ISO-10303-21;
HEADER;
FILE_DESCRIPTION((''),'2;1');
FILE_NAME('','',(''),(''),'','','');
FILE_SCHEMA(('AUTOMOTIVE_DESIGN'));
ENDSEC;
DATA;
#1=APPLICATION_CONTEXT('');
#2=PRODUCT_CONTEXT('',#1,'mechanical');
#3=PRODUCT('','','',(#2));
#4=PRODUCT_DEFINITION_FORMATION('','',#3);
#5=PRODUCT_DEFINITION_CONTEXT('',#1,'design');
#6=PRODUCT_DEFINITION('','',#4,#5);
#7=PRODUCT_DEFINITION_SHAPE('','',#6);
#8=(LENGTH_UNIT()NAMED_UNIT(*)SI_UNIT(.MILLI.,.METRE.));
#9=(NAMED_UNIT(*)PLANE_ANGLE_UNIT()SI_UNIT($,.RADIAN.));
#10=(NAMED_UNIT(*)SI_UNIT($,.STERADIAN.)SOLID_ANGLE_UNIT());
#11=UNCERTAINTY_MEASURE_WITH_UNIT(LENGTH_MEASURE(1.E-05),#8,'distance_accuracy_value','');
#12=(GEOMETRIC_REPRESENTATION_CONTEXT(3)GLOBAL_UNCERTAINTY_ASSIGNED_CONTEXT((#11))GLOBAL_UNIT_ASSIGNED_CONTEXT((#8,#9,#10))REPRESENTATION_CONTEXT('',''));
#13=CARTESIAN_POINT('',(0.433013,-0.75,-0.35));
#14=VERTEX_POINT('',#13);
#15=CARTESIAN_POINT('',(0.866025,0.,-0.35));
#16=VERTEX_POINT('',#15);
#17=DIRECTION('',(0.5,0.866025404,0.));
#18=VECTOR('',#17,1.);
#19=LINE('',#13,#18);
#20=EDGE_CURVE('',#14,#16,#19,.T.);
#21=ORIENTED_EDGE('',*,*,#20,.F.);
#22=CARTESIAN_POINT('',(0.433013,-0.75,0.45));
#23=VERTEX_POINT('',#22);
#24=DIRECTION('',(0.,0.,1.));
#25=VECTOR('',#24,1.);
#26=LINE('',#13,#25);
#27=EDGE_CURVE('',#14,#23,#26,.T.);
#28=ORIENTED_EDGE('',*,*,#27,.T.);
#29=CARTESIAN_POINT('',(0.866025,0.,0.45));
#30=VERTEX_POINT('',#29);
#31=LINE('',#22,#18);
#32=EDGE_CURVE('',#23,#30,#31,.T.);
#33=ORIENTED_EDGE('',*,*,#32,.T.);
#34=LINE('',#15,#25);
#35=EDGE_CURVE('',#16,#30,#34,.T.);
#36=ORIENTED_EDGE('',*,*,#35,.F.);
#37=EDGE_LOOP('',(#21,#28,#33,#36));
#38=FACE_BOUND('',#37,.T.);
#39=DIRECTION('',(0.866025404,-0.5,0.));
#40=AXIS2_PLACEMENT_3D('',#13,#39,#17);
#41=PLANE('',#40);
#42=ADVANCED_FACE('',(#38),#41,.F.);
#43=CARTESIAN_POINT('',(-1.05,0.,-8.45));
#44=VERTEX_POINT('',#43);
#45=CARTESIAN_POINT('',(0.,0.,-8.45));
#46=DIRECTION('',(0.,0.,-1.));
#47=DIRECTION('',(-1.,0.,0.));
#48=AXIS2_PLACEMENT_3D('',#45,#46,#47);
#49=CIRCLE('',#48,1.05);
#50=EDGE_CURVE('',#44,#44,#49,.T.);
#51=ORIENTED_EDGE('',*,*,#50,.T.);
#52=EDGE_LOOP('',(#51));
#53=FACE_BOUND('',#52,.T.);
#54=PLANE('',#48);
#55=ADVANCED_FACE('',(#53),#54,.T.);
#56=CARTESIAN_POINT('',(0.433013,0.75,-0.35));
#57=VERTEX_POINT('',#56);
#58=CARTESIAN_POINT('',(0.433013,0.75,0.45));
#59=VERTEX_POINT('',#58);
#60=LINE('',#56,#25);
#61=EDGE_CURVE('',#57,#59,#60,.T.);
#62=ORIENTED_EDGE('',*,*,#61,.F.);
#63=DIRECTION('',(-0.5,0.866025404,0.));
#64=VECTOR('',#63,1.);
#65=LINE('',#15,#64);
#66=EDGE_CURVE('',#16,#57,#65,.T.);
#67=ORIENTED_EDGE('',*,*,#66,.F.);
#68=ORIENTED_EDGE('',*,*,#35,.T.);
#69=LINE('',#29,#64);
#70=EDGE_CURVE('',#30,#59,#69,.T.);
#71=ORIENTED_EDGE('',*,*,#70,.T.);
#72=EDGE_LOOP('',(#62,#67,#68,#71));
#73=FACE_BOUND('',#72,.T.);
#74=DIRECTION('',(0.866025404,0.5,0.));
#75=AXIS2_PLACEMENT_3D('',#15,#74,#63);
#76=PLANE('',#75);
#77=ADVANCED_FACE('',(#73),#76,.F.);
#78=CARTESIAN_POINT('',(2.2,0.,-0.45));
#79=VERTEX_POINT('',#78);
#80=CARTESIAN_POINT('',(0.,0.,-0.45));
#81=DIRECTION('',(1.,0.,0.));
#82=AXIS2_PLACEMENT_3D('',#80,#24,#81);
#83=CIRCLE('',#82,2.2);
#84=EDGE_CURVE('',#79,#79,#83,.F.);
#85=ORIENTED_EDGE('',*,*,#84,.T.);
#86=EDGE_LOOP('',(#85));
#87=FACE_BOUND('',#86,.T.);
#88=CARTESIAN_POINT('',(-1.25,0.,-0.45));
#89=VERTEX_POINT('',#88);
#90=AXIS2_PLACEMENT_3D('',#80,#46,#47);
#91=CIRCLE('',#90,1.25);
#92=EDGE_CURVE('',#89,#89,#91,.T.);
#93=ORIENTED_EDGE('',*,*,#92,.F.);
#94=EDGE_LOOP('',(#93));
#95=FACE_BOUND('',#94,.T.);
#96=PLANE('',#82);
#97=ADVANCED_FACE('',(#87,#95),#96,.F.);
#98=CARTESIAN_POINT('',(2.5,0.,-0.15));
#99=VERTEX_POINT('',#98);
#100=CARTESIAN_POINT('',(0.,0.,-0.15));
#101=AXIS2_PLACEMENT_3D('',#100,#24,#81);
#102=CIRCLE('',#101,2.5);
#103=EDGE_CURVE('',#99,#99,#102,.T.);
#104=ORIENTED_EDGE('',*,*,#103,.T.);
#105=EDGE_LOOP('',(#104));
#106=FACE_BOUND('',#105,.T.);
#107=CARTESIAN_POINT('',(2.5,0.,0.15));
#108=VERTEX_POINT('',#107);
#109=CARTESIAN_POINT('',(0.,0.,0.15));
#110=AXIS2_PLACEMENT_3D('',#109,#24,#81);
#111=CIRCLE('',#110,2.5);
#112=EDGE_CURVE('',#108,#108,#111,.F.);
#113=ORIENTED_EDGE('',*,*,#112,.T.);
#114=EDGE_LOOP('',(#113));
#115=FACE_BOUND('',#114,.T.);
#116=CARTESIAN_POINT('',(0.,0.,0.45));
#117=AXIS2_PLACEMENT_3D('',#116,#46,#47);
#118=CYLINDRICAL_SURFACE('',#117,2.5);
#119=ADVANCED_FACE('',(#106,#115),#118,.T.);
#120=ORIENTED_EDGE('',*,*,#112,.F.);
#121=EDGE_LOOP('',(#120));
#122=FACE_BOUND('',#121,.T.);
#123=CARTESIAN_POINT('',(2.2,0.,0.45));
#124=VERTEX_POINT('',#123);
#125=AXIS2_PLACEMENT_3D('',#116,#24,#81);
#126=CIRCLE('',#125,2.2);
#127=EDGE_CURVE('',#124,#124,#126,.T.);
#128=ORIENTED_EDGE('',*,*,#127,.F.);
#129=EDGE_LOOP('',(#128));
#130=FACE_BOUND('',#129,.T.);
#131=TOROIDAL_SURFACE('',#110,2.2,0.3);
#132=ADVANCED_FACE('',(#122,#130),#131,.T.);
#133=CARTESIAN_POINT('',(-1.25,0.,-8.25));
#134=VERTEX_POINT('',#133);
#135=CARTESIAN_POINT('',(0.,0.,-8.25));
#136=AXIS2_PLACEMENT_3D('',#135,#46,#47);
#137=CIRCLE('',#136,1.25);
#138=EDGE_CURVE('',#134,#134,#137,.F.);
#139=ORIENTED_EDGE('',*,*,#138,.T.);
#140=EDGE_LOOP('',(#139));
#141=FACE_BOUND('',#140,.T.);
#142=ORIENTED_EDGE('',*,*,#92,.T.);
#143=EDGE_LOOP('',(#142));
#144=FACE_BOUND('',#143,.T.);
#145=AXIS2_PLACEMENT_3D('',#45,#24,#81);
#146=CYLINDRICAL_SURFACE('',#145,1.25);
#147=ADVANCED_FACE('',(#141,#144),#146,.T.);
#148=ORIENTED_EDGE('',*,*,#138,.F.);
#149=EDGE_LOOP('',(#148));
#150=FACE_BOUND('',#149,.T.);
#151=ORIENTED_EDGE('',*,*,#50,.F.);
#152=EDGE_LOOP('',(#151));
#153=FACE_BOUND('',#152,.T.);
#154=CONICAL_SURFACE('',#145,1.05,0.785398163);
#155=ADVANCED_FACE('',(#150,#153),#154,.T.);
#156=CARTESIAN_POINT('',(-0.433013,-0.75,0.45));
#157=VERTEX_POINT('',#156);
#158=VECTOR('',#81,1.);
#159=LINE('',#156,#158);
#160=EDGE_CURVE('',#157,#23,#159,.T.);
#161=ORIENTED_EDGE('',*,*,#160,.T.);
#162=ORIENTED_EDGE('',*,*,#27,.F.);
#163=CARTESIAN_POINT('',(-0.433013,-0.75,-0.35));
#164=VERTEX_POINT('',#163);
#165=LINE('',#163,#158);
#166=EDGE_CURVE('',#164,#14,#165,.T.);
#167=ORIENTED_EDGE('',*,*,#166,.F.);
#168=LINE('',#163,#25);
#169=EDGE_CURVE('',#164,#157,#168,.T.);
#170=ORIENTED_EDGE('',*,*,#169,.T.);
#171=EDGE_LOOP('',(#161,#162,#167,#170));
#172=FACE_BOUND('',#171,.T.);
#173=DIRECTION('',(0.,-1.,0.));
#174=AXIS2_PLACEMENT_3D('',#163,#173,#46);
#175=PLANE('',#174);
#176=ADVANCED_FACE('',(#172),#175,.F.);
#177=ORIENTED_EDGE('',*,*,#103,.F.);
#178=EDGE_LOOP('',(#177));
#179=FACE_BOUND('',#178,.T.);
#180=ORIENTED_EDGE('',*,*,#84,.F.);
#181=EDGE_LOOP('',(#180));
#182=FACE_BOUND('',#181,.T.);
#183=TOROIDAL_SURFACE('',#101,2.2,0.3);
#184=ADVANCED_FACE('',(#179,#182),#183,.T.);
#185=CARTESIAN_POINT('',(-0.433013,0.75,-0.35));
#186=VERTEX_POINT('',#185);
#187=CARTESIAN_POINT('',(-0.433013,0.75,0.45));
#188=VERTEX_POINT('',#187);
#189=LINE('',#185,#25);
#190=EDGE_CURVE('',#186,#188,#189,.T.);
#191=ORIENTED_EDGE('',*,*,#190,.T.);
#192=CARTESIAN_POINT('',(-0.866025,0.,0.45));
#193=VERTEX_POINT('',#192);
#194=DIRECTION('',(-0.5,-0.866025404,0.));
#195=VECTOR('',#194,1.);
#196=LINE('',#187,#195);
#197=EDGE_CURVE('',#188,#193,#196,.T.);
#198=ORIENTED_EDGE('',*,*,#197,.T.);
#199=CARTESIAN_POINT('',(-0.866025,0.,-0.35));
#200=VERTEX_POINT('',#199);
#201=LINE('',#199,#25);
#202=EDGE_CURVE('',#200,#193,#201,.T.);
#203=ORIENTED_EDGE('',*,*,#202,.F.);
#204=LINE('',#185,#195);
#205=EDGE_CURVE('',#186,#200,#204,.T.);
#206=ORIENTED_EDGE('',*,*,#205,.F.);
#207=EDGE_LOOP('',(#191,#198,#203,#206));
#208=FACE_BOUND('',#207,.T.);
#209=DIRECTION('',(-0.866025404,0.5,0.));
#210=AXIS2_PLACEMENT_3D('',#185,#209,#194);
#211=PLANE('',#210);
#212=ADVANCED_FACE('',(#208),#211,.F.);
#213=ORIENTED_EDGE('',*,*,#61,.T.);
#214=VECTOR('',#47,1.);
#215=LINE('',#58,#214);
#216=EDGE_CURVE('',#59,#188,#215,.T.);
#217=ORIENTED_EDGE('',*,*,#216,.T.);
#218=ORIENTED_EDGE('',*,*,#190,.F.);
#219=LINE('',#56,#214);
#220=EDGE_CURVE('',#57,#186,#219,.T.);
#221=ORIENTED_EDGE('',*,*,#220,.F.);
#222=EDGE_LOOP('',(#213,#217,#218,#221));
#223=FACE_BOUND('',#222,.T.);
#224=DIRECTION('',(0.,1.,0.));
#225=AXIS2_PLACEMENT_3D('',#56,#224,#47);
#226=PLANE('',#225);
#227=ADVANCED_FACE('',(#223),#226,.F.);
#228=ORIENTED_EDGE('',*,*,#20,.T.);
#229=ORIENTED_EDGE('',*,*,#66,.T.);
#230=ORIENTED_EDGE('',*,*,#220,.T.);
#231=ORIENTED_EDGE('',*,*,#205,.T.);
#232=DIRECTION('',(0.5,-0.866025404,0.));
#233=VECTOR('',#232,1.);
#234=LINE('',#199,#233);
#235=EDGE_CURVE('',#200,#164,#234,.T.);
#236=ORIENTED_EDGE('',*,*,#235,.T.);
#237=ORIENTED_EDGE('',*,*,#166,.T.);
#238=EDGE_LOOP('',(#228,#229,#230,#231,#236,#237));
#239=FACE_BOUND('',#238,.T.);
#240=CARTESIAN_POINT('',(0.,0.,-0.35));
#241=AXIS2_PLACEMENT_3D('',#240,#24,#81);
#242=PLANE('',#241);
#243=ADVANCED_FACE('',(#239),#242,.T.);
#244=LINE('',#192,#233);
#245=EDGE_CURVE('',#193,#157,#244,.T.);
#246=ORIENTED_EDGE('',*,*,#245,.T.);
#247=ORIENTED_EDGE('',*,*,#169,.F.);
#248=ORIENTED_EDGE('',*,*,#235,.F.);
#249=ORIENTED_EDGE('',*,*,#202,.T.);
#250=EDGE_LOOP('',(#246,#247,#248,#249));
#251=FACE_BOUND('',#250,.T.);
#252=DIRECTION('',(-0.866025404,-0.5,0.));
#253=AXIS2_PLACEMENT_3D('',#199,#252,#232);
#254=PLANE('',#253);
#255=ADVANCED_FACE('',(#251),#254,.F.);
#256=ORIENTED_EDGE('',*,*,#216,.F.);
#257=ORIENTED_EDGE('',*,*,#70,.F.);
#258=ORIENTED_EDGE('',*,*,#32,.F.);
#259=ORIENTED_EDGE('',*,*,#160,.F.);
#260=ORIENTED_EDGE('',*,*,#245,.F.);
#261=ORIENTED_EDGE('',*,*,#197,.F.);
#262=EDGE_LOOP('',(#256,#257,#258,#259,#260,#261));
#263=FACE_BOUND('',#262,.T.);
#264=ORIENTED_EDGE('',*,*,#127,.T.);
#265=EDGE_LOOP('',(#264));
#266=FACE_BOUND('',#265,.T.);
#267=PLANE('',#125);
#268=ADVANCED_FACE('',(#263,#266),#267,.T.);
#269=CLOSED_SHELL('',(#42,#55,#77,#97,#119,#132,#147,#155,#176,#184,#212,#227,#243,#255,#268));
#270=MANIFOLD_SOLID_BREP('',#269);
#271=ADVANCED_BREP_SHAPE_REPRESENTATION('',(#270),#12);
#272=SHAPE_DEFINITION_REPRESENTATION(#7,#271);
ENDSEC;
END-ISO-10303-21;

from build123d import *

# Parameters (mm, degrees)
SKETCH_1_R          = 2.5
EXTRUDE_1_DEPTH     = 0.45
SKETCH_2_R          = 1.25
EXTRUDE_2_DEPTH     = 8
CHAMFER_1_SIZE      = 0.2
CUT_EXTRUDE_1_DEPTH = 0.8
FILLET_2_R          = 0.3


with BuildPart() as part:
    # 草图1 → 凸台-拉伸1 (new body, symmetric)
    with BuildSketch(Plane.XY):
        Circle(SKETCH_1_R)
    extrude(amount=EXTRUDE_1_DEPTH, both=True)

    # 草图2 → 凸台-拉伸2 (add)
    with BuildSketch(Plane(origin=(0, 0, -0.45), x_dir=(-1, 0, 0), z_dir=(0, 0, -1))):
        Circle(SKETCH_2_R)
    extrude(amount=EXTRUDE_2_DEPTH)

    # 倒角1
    chamfer_1_edges = [part.edges().sort_by_distance(p)[0] for p in [
        (1.25, 0, -8.45),
    ]]
    chamfer(chamfer_1_edges, length=CHAMFER_1_SIZE)

    # 草图3 → 切除-拉伸1 (cut)
    with BuildSketch(Plane.XY.offset(0.45)):
        Polygon((0.866025404, 0), (0.433012702, 0.75), (-0.433012702, 0.75), (-0.866025404, 0), (-0.433012702, -0.75), (0.433012702, -0.75), align=None)
    extrude(amount=-CUT_EXTRUDE_1_DEPTH, mode=Mode.SUBTRACT)

    # 圆角2
    fillet_2_edges = [part.edges().sort_by_distance(p)[0] for p in [
        (-2.5, 0, -0.45),
        (-2.5, 0, 0.45),
    ]]
    fillet(fillet_2_edges, radius=FILLET_2_R)


solid = part.part
